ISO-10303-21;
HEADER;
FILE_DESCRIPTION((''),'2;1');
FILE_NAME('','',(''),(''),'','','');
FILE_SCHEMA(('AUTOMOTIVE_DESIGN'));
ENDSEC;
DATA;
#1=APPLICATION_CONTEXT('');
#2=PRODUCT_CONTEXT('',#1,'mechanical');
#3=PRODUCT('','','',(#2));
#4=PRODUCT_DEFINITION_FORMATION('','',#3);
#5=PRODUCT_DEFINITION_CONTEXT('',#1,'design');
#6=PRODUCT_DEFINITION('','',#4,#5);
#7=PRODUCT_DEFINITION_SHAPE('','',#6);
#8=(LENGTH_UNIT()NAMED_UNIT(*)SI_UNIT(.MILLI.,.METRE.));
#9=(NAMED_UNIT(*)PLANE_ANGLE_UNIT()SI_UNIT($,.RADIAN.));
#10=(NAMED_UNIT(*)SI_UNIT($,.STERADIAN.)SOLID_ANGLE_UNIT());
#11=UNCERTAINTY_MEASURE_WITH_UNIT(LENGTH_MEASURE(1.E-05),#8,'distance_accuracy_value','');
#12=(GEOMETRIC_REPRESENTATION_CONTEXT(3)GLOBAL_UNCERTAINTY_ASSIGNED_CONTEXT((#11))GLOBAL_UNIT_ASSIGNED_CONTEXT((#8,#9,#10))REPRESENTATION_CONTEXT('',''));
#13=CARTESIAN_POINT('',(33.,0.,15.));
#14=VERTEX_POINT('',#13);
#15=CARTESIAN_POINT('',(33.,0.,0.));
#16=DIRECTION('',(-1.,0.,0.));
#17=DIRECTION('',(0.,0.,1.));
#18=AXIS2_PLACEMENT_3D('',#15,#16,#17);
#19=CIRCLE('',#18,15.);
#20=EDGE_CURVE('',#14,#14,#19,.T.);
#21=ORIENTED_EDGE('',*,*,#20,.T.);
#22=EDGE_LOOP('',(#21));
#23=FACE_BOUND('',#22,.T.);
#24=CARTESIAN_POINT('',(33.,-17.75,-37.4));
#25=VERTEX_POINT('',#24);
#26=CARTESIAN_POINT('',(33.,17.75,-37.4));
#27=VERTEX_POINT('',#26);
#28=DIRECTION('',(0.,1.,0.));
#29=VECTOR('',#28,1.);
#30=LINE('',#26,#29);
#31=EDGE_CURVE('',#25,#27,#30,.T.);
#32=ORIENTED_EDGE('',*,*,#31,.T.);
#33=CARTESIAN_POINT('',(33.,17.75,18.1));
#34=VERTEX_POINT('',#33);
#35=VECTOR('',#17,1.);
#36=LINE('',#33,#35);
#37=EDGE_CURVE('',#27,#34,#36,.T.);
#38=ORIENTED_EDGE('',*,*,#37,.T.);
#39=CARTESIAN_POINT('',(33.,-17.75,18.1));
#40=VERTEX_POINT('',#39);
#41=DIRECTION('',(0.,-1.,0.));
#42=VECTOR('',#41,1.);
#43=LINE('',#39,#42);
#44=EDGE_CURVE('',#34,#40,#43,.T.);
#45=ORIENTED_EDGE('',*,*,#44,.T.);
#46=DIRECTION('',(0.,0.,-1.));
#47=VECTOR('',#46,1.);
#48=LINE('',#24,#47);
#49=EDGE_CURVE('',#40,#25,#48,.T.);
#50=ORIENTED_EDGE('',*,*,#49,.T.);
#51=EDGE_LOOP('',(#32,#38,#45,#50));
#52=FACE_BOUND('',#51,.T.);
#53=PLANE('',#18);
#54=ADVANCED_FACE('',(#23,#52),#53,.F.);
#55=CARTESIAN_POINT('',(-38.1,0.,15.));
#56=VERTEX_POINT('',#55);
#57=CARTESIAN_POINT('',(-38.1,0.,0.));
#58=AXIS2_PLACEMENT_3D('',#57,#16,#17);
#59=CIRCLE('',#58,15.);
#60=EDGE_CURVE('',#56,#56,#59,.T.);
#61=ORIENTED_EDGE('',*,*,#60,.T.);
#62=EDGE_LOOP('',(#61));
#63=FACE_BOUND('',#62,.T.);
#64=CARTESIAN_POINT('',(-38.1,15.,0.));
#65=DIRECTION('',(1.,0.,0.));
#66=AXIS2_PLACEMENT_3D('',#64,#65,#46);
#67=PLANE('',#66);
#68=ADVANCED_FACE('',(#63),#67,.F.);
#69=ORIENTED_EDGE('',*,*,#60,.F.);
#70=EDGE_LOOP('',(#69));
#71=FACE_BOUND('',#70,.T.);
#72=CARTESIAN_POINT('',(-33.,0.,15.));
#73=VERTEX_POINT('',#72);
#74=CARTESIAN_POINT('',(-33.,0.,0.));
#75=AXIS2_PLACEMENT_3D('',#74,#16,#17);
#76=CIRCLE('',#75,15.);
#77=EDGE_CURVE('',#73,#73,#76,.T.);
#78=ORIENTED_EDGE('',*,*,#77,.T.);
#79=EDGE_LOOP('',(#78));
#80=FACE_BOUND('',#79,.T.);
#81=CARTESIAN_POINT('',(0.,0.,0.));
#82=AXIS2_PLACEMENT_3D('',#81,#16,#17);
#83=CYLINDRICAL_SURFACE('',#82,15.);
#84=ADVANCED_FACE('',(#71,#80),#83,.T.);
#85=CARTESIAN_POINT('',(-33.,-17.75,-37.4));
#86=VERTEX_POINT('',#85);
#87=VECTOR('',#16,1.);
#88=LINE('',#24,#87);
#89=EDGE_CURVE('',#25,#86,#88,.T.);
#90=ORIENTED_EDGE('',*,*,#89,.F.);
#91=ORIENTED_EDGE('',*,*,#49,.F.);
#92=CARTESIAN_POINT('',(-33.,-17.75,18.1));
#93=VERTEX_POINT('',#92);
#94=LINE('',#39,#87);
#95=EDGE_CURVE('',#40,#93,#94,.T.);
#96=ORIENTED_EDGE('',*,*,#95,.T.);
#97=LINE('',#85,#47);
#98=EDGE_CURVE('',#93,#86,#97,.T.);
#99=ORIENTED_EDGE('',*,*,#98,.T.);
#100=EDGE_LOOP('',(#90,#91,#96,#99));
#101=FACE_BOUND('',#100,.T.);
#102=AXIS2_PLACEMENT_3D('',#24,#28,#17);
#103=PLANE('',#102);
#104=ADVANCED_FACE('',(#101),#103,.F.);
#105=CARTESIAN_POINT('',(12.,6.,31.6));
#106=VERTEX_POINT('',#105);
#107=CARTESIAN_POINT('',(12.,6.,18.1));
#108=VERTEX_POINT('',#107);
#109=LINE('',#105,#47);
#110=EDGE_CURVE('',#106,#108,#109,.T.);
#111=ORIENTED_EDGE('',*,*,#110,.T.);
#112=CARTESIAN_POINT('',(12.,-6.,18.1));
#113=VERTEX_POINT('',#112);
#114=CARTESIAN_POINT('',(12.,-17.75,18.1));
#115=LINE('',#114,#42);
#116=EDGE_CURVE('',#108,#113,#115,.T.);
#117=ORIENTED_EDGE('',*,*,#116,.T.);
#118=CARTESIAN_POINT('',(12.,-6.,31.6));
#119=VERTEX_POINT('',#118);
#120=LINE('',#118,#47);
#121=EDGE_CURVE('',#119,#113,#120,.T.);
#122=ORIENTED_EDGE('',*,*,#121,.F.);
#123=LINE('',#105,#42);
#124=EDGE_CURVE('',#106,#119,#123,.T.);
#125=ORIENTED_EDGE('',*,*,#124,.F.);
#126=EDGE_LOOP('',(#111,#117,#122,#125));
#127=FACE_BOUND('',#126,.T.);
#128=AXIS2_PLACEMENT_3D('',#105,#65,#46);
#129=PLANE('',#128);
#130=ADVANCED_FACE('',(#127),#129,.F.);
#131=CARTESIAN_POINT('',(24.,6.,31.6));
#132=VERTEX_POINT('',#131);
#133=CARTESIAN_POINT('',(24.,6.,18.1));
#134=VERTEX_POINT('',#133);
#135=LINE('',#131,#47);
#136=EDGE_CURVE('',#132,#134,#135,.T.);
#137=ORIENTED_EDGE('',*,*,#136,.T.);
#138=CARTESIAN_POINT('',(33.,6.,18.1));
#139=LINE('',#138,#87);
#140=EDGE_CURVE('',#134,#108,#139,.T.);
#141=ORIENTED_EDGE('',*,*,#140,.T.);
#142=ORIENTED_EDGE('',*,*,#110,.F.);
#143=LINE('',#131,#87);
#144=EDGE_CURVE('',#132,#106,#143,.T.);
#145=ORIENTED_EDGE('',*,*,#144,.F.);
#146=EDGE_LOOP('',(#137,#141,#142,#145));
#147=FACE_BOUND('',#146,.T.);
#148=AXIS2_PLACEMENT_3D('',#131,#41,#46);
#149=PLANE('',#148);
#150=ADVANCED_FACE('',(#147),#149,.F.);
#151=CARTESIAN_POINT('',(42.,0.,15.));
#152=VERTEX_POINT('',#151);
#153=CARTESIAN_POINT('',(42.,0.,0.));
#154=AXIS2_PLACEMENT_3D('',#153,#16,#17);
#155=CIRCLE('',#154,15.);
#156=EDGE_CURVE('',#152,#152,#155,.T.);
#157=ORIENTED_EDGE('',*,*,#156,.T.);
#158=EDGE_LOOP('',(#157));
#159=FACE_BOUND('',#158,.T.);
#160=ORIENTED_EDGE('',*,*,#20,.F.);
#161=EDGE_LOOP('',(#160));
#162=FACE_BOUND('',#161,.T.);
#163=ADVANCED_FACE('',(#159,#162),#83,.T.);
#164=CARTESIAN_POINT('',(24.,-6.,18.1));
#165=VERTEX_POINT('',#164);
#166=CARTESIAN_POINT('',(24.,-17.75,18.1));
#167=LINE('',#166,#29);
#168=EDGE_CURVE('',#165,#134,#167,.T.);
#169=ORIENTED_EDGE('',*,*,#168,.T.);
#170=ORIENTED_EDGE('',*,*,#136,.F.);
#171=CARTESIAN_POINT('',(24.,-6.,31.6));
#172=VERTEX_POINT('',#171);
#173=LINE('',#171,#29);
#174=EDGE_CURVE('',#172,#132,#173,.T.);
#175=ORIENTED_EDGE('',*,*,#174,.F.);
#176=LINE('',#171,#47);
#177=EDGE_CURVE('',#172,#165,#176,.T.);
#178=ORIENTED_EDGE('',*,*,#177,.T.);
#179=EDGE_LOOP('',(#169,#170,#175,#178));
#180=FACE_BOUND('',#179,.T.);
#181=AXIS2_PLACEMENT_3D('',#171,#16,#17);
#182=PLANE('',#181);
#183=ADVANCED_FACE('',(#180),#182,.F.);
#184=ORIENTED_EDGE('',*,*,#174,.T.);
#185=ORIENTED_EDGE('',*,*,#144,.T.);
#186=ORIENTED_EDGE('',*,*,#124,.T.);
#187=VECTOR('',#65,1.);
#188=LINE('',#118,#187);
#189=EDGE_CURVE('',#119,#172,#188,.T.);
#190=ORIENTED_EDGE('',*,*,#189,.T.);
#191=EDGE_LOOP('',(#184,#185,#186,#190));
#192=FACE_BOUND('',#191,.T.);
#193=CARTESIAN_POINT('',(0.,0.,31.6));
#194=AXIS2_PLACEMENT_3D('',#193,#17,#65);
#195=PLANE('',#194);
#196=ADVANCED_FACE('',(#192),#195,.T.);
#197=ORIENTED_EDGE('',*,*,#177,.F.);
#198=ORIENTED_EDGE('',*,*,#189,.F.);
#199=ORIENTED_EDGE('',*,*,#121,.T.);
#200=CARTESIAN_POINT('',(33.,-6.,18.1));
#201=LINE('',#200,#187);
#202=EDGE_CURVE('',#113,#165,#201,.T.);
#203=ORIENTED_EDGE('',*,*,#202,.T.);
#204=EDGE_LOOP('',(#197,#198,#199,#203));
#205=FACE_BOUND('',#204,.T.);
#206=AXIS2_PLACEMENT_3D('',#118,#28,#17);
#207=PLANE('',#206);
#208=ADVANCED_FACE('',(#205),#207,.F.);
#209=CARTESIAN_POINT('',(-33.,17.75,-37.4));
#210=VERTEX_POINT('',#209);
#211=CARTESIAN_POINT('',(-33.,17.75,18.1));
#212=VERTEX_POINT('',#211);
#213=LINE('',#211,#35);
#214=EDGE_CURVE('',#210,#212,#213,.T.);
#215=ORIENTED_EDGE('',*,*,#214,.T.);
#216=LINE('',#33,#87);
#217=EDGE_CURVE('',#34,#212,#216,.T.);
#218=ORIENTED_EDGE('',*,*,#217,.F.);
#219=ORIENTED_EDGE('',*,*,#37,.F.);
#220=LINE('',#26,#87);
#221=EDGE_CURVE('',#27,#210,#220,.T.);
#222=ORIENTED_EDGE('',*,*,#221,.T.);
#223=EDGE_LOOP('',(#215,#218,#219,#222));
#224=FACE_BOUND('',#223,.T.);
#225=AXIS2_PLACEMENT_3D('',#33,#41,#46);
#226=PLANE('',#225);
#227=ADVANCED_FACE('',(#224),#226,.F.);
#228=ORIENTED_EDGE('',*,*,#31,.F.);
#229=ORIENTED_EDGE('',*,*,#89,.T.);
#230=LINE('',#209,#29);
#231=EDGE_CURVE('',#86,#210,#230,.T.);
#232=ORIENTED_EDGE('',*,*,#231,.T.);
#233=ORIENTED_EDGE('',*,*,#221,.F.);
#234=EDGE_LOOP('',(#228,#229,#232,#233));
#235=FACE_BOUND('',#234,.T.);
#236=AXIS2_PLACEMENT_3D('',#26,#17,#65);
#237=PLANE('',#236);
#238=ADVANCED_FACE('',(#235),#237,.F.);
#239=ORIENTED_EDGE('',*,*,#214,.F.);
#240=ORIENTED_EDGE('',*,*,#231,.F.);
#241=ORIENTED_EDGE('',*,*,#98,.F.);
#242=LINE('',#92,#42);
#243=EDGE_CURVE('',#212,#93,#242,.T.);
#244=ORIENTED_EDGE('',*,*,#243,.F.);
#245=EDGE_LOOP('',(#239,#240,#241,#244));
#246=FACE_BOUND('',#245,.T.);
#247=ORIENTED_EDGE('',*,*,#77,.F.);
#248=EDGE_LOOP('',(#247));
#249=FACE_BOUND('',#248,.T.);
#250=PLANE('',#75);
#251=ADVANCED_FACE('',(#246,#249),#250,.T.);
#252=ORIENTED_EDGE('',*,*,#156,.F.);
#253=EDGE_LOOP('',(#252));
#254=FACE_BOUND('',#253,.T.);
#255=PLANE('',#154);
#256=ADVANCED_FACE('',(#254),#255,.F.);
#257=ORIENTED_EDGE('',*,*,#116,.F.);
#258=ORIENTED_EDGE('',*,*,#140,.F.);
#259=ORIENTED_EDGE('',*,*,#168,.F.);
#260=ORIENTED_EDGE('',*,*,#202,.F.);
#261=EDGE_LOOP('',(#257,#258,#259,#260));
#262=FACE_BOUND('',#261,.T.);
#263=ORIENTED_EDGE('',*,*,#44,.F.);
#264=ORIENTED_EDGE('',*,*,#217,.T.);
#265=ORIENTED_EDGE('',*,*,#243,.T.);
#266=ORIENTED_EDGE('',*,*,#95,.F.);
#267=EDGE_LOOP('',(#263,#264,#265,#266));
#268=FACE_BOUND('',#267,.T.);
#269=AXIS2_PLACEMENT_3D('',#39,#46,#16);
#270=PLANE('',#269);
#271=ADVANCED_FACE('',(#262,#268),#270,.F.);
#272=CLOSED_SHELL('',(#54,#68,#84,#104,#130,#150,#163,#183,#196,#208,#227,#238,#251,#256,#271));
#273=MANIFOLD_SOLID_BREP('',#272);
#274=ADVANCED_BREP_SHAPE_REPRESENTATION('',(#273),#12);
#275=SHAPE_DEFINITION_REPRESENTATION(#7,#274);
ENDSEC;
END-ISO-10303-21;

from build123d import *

# Parameters (mm, degrees)
SKETCH_1_W        = 55.5
SKETCH_1_H        = 35.5
EXTRUDE_764_DEPTH = 33
SKETCH_2_W        = 9
SKETCH_2_H        = 15
SKETCH_3_W        = 5.1
SKETCH_3_H        = 15
SKETCH_4_W        = 12
SKETCH_4_H        = 12
EXTRUDE_919_DEPTH = 31.6


with BuildPart() as part:
    # ｽｹｯﾁ1 → Extrude 764 (new, symmetric)
    with BuildSketch(Plane(origin=(0, 0, 0), x_dir=(0, 0, -1), z_dir=(1, 0, 0))):
        with Locations((9.65, 0)):
            Rectangle(SKETCH_1_W, SKETCH_1_H)
    extrude(amount=EXTRUDE_764_DEPTH, both=True)

    # ｽｹｯﾁ2 → Revolve 816 (revolve)
    with BuildSketch(Plane.XY):
        with Locations((37.5, 7.5)):
            Rectangle(SKETCH_2_W, SKETCH_2_H)
    revolve(axis=Axis((0, 0, 0), (1, 0, 0)))

    # ｽｹｯﾁ3 → Revolve 870 (revolve)
    with BuildSketch(Plane.XY):
        with Locations((-35.55, 7.5)):
            Rectangle(SKETCH_3_W, SKETCH_3_H)
    revolve(axis=Axis((0, 0, 0), (1, 0, 0)))

    # ｽｹｯﾁ4 → Extrude 919 (add, symmetric)
    with BuildSketch(Plane.XY):
        with Locations((18, 0)):
            Rectangle(SKETCH_4_W, SKETCH_4_H)
    extrude(amount=EXTRUDE_919_DEPTH, both=True)


solid = part.part
